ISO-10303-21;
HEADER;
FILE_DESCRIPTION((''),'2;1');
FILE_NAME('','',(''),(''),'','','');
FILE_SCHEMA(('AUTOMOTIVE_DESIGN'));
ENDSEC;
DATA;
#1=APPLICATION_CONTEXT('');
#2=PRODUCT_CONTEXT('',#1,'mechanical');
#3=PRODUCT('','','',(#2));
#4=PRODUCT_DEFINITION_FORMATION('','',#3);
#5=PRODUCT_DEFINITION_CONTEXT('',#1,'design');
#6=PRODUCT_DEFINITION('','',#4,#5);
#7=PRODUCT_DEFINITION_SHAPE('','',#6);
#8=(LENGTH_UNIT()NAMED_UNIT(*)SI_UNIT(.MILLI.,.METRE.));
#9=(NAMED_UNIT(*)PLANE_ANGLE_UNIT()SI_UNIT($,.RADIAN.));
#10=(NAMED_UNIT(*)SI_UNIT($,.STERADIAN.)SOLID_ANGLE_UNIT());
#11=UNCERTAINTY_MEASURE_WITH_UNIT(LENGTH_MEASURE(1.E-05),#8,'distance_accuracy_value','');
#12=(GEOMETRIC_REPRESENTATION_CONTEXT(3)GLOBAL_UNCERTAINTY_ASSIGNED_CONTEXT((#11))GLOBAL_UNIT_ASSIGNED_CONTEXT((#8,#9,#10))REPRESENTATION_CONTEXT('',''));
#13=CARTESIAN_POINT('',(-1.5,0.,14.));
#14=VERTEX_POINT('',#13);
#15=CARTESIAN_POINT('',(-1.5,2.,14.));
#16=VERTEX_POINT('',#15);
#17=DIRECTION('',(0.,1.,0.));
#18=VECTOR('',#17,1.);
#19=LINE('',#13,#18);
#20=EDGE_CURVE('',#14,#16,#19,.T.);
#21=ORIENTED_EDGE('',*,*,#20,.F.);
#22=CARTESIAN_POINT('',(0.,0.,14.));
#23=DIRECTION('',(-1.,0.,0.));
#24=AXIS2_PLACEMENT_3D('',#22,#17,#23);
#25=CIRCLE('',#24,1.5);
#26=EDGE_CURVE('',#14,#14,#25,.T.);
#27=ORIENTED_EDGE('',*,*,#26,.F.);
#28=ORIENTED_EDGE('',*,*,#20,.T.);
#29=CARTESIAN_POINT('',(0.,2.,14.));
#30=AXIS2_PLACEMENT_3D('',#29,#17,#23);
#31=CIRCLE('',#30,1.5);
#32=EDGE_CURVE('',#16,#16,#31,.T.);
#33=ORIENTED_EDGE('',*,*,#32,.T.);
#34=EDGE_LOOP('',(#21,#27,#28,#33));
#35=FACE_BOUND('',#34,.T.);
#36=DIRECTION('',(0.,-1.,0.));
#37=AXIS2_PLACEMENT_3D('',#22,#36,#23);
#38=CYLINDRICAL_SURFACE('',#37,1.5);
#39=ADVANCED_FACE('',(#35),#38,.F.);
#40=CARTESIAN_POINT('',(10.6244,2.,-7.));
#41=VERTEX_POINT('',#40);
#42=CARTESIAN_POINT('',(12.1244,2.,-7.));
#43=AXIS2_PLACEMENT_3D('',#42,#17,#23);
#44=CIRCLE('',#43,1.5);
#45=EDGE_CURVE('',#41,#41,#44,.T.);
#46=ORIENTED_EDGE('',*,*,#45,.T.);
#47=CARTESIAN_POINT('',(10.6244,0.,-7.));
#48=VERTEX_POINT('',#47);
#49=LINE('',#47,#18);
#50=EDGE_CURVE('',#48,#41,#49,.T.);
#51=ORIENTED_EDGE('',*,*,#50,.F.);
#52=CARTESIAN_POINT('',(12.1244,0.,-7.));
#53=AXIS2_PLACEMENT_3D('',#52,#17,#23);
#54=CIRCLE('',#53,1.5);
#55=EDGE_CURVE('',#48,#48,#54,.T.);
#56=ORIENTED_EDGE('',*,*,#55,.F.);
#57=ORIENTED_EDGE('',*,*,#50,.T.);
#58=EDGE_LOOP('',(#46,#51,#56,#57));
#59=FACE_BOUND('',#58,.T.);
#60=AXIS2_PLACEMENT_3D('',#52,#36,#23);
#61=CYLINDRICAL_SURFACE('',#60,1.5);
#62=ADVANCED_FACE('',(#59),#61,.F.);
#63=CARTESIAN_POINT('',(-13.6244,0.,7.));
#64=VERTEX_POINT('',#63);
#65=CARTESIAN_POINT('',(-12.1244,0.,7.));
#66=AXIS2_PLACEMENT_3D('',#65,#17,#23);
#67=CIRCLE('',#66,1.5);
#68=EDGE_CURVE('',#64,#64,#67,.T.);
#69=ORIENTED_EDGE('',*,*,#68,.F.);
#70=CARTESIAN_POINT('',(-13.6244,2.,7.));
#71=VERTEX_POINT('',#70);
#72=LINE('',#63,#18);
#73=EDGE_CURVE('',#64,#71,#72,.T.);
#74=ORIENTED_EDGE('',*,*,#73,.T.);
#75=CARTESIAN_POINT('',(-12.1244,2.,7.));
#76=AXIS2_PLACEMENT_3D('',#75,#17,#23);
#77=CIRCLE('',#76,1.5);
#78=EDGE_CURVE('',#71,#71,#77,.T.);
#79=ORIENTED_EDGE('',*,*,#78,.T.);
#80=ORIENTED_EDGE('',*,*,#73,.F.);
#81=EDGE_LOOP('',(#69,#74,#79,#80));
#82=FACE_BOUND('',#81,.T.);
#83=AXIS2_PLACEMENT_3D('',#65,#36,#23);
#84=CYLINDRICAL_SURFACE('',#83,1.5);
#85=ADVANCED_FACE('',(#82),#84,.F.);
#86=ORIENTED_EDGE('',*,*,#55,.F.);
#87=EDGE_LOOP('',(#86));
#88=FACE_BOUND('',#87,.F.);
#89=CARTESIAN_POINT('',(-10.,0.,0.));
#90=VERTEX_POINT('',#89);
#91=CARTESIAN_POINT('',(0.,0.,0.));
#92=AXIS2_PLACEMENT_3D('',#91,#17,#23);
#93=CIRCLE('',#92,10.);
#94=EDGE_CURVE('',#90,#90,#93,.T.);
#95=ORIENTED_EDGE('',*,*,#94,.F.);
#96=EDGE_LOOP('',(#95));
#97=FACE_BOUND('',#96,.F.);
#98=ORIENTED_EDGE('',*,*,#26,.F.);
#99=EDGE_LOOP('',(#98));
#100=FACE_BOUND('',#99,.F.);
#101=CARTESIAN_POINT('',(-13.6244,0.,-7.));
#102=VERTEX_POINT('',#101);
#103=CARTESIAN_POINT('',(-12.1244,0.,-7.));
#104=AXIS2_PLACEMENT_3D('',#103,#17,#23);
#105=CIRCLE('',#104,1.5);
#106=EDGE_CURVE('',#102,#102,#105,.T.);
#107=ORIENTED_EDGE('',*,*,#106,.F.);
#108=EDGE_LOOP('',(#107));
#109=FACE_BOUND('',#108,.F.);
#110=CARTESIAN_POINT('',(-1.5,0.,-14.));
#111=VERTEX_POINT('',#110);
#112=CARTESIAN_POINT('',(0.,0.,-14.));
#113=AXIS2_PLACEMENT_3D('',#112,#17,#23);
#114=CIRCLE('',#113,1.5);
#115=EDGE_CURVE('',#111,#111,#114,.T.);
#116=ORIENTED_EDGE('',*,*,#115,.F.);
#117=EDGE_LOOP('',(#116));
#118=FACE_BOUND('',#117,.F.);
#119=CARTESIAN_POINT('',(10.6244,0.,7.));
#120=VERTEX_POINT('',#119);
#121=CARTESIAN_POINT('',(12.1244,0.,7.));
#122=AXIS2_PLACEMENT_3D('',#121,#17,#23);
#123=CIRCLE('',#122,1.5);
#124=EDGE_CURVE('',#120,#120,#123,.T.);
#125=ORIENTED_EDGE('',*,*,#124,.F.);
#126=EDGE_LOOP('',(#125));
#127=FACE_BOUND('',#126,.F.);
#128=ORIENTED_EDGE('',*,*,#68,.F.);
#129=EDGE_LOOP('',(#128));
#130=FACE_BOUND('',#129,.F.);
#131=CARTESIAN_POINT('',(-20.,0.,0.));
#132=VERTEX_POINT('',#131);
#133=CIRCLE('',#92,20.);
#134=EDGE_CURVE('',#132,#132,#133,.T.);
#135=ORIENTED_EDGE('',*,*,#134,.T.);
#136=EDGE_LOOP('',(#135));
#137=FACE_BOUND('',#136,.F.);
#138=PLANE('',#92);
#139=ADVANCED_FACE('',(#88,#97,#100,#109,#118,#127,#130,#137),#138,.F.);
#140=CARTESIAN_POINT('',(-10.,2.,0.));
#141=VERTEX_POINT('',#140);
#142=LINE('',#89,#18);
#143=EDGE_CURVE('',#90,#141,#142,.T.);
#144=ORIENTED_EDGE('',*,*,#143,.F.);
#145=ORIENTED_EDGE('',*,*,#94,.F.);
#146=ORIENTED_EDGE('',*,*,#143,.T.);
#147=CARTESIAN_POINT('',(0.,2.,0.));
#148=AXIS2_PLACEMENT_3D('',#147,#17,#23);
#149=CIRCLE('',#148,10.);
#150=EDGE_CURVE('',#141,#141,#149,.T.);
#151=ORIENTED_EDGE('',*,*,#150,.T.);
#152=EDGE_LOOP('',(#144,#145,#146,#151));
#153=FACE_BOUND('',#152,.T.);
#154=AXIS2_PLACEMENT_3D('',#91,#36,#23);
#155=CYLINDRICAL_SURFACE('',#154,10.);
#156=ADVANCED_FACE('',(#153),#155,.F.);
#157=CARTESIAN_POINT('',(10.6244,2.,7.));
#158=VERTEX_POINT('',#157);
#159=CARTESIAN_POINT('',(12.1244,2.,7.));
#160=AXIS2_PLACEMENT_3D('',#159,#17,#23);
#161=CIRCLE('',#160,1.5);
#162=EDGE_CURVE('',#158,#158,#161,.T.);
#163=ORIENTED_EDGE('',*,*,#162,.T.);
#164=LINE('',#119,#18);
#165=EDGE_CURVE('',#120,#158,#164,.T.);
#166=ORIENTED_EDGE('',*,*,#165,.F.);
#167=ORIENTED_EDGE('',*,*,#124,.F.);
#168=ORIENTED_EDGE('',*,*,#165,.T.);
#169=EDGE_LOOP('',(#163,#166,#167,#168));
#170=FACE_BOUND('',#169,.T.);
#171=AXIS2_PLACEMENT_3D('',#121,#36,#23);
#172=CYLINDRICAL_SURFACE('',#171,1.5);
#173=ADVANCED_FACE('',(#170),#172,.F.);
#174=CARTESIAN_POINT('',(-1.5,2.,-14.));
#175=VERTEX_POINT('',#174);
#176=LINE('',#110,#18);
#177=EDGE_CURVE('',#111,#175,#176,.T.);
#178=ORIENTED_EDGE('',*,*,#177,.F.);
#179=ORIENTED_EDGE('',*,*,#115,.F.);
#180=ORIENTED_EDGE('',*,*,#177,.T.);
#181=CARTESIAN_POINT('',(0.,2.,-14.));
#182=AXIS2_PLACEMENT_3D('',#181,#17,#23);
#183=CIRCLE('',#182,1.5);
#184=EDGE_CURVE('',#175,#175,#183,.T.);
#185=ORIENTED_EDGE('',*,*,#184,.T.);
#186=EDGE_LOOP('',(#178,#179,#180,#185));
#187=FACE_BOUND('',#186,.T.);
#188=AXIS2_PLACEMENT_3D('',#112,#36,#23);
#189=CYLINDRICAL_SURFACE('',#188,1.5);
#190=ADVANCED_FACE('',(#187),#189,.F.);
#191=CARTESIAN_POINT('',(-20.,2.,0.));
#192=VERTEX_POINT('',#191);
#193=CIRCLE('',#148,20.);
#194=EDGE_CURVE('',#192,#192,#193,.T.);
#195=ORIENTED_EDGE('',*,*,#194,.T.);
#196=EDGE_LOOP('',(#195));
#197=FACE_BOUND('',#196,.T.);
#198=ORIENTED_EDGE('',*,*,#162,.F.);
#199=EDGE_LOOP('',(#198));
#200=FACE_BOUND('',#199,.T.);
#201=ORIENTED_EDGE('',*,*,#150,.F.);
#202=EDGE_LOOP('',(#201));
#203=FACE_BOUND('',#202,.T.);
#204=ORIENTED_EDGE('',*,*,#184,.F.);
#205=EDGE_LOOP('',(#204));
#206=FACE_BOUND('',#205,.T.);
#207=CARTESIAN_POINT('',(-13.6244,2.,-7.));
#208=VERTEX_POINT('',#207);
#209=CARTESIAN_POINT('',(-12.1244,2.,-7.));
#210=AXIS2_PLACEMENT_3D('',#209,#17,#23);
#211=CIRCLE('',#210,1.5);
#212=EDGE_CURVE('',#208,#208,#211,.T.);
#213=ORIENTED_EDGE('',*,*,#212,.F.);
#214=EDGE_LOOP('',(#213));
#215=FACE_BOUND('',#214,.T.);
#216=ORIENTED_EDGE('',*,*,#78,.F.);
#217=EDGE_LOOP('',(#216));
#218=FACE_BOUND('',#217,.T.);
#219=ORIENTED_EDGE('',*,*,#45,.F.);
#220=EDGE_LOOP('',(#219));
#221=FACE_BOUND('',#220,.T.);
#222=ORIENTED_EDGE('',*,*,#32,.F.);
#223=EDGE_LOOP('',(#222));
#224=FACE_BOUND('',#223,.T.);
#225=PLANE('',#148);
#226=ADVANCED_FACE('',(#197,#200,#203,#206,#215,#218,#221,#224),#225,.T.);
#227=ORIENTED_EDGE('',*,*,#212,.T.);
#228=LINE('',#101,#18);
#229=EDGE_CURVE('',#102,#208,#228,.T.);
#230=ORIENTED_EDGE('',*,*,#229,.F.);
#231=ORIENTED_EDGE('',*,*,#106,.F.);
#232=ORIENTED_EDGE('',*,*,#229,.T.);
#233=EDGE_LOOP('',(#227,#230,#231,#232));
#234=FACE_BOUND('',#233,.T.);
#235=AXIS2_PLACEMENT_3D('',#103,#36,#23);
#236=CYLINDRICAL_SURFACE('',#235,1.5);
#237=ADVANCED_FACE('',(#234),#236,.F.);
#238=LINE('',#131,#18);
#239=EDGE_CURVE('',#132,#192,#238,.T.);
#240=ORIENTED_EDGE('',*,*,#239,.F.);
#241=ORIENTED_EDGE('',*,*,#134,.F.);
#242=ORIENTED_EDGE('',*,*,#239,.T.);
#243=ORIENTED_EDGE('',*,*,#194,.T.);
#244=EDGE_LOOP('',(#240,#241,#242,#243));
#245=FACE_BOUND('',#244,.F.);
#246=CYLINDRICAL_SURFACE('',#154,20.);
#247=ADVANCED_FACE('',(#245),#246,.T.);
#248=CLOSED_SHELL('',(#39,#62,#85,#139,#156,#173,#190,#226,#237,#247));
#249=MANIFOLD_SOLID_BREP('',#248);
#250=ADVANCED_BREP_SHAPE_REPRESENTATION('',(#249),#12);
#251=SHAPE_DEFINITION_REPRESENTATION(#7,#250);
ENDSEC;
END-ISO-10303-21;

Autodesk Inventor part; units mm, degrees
ref_plane "YZ Plane" through (0, 0, 0) normal (1, 0, 0) x (0, 1, 0)
ref_plane "XZ Plane" through (0, 0, 0) normal (0, 1, 0) x (-1, 0, 0)
ref_plane "XY Plane" through (0, 0, 0) normal (0, 0, 1) x (1, 0, 0)
sketch "Эскиз1" plane through (0, 0, 0) normal (0, 1, 0) x (-1, 0, 0)
  circle A0 centre (0, 0) radius 20
  circle A1 centre (0, 0) radius 10
  circle A2 centre (0, -14) radius 1.5
  circle A3 centre (12.1244, -7) radius 1.5
  circle A4 centre (12.1244, 7) radius 1.5
  circle A5 centre (0, 14) radius 1.5
  circle A6 centre (-12.1244, 7) radius 1.5
  circle A7 centre (-12.1244, -7) radius 1.5
  dimension "d0" = 40
  dimension "d1" = 20
  dimension "d2" = 14
  dimension "d3" = 3
  dimension "d6" = 360
extrude "Выдавливание1" add sketch "Эскиз1" along normal blind 2
properties part number "btnring"
